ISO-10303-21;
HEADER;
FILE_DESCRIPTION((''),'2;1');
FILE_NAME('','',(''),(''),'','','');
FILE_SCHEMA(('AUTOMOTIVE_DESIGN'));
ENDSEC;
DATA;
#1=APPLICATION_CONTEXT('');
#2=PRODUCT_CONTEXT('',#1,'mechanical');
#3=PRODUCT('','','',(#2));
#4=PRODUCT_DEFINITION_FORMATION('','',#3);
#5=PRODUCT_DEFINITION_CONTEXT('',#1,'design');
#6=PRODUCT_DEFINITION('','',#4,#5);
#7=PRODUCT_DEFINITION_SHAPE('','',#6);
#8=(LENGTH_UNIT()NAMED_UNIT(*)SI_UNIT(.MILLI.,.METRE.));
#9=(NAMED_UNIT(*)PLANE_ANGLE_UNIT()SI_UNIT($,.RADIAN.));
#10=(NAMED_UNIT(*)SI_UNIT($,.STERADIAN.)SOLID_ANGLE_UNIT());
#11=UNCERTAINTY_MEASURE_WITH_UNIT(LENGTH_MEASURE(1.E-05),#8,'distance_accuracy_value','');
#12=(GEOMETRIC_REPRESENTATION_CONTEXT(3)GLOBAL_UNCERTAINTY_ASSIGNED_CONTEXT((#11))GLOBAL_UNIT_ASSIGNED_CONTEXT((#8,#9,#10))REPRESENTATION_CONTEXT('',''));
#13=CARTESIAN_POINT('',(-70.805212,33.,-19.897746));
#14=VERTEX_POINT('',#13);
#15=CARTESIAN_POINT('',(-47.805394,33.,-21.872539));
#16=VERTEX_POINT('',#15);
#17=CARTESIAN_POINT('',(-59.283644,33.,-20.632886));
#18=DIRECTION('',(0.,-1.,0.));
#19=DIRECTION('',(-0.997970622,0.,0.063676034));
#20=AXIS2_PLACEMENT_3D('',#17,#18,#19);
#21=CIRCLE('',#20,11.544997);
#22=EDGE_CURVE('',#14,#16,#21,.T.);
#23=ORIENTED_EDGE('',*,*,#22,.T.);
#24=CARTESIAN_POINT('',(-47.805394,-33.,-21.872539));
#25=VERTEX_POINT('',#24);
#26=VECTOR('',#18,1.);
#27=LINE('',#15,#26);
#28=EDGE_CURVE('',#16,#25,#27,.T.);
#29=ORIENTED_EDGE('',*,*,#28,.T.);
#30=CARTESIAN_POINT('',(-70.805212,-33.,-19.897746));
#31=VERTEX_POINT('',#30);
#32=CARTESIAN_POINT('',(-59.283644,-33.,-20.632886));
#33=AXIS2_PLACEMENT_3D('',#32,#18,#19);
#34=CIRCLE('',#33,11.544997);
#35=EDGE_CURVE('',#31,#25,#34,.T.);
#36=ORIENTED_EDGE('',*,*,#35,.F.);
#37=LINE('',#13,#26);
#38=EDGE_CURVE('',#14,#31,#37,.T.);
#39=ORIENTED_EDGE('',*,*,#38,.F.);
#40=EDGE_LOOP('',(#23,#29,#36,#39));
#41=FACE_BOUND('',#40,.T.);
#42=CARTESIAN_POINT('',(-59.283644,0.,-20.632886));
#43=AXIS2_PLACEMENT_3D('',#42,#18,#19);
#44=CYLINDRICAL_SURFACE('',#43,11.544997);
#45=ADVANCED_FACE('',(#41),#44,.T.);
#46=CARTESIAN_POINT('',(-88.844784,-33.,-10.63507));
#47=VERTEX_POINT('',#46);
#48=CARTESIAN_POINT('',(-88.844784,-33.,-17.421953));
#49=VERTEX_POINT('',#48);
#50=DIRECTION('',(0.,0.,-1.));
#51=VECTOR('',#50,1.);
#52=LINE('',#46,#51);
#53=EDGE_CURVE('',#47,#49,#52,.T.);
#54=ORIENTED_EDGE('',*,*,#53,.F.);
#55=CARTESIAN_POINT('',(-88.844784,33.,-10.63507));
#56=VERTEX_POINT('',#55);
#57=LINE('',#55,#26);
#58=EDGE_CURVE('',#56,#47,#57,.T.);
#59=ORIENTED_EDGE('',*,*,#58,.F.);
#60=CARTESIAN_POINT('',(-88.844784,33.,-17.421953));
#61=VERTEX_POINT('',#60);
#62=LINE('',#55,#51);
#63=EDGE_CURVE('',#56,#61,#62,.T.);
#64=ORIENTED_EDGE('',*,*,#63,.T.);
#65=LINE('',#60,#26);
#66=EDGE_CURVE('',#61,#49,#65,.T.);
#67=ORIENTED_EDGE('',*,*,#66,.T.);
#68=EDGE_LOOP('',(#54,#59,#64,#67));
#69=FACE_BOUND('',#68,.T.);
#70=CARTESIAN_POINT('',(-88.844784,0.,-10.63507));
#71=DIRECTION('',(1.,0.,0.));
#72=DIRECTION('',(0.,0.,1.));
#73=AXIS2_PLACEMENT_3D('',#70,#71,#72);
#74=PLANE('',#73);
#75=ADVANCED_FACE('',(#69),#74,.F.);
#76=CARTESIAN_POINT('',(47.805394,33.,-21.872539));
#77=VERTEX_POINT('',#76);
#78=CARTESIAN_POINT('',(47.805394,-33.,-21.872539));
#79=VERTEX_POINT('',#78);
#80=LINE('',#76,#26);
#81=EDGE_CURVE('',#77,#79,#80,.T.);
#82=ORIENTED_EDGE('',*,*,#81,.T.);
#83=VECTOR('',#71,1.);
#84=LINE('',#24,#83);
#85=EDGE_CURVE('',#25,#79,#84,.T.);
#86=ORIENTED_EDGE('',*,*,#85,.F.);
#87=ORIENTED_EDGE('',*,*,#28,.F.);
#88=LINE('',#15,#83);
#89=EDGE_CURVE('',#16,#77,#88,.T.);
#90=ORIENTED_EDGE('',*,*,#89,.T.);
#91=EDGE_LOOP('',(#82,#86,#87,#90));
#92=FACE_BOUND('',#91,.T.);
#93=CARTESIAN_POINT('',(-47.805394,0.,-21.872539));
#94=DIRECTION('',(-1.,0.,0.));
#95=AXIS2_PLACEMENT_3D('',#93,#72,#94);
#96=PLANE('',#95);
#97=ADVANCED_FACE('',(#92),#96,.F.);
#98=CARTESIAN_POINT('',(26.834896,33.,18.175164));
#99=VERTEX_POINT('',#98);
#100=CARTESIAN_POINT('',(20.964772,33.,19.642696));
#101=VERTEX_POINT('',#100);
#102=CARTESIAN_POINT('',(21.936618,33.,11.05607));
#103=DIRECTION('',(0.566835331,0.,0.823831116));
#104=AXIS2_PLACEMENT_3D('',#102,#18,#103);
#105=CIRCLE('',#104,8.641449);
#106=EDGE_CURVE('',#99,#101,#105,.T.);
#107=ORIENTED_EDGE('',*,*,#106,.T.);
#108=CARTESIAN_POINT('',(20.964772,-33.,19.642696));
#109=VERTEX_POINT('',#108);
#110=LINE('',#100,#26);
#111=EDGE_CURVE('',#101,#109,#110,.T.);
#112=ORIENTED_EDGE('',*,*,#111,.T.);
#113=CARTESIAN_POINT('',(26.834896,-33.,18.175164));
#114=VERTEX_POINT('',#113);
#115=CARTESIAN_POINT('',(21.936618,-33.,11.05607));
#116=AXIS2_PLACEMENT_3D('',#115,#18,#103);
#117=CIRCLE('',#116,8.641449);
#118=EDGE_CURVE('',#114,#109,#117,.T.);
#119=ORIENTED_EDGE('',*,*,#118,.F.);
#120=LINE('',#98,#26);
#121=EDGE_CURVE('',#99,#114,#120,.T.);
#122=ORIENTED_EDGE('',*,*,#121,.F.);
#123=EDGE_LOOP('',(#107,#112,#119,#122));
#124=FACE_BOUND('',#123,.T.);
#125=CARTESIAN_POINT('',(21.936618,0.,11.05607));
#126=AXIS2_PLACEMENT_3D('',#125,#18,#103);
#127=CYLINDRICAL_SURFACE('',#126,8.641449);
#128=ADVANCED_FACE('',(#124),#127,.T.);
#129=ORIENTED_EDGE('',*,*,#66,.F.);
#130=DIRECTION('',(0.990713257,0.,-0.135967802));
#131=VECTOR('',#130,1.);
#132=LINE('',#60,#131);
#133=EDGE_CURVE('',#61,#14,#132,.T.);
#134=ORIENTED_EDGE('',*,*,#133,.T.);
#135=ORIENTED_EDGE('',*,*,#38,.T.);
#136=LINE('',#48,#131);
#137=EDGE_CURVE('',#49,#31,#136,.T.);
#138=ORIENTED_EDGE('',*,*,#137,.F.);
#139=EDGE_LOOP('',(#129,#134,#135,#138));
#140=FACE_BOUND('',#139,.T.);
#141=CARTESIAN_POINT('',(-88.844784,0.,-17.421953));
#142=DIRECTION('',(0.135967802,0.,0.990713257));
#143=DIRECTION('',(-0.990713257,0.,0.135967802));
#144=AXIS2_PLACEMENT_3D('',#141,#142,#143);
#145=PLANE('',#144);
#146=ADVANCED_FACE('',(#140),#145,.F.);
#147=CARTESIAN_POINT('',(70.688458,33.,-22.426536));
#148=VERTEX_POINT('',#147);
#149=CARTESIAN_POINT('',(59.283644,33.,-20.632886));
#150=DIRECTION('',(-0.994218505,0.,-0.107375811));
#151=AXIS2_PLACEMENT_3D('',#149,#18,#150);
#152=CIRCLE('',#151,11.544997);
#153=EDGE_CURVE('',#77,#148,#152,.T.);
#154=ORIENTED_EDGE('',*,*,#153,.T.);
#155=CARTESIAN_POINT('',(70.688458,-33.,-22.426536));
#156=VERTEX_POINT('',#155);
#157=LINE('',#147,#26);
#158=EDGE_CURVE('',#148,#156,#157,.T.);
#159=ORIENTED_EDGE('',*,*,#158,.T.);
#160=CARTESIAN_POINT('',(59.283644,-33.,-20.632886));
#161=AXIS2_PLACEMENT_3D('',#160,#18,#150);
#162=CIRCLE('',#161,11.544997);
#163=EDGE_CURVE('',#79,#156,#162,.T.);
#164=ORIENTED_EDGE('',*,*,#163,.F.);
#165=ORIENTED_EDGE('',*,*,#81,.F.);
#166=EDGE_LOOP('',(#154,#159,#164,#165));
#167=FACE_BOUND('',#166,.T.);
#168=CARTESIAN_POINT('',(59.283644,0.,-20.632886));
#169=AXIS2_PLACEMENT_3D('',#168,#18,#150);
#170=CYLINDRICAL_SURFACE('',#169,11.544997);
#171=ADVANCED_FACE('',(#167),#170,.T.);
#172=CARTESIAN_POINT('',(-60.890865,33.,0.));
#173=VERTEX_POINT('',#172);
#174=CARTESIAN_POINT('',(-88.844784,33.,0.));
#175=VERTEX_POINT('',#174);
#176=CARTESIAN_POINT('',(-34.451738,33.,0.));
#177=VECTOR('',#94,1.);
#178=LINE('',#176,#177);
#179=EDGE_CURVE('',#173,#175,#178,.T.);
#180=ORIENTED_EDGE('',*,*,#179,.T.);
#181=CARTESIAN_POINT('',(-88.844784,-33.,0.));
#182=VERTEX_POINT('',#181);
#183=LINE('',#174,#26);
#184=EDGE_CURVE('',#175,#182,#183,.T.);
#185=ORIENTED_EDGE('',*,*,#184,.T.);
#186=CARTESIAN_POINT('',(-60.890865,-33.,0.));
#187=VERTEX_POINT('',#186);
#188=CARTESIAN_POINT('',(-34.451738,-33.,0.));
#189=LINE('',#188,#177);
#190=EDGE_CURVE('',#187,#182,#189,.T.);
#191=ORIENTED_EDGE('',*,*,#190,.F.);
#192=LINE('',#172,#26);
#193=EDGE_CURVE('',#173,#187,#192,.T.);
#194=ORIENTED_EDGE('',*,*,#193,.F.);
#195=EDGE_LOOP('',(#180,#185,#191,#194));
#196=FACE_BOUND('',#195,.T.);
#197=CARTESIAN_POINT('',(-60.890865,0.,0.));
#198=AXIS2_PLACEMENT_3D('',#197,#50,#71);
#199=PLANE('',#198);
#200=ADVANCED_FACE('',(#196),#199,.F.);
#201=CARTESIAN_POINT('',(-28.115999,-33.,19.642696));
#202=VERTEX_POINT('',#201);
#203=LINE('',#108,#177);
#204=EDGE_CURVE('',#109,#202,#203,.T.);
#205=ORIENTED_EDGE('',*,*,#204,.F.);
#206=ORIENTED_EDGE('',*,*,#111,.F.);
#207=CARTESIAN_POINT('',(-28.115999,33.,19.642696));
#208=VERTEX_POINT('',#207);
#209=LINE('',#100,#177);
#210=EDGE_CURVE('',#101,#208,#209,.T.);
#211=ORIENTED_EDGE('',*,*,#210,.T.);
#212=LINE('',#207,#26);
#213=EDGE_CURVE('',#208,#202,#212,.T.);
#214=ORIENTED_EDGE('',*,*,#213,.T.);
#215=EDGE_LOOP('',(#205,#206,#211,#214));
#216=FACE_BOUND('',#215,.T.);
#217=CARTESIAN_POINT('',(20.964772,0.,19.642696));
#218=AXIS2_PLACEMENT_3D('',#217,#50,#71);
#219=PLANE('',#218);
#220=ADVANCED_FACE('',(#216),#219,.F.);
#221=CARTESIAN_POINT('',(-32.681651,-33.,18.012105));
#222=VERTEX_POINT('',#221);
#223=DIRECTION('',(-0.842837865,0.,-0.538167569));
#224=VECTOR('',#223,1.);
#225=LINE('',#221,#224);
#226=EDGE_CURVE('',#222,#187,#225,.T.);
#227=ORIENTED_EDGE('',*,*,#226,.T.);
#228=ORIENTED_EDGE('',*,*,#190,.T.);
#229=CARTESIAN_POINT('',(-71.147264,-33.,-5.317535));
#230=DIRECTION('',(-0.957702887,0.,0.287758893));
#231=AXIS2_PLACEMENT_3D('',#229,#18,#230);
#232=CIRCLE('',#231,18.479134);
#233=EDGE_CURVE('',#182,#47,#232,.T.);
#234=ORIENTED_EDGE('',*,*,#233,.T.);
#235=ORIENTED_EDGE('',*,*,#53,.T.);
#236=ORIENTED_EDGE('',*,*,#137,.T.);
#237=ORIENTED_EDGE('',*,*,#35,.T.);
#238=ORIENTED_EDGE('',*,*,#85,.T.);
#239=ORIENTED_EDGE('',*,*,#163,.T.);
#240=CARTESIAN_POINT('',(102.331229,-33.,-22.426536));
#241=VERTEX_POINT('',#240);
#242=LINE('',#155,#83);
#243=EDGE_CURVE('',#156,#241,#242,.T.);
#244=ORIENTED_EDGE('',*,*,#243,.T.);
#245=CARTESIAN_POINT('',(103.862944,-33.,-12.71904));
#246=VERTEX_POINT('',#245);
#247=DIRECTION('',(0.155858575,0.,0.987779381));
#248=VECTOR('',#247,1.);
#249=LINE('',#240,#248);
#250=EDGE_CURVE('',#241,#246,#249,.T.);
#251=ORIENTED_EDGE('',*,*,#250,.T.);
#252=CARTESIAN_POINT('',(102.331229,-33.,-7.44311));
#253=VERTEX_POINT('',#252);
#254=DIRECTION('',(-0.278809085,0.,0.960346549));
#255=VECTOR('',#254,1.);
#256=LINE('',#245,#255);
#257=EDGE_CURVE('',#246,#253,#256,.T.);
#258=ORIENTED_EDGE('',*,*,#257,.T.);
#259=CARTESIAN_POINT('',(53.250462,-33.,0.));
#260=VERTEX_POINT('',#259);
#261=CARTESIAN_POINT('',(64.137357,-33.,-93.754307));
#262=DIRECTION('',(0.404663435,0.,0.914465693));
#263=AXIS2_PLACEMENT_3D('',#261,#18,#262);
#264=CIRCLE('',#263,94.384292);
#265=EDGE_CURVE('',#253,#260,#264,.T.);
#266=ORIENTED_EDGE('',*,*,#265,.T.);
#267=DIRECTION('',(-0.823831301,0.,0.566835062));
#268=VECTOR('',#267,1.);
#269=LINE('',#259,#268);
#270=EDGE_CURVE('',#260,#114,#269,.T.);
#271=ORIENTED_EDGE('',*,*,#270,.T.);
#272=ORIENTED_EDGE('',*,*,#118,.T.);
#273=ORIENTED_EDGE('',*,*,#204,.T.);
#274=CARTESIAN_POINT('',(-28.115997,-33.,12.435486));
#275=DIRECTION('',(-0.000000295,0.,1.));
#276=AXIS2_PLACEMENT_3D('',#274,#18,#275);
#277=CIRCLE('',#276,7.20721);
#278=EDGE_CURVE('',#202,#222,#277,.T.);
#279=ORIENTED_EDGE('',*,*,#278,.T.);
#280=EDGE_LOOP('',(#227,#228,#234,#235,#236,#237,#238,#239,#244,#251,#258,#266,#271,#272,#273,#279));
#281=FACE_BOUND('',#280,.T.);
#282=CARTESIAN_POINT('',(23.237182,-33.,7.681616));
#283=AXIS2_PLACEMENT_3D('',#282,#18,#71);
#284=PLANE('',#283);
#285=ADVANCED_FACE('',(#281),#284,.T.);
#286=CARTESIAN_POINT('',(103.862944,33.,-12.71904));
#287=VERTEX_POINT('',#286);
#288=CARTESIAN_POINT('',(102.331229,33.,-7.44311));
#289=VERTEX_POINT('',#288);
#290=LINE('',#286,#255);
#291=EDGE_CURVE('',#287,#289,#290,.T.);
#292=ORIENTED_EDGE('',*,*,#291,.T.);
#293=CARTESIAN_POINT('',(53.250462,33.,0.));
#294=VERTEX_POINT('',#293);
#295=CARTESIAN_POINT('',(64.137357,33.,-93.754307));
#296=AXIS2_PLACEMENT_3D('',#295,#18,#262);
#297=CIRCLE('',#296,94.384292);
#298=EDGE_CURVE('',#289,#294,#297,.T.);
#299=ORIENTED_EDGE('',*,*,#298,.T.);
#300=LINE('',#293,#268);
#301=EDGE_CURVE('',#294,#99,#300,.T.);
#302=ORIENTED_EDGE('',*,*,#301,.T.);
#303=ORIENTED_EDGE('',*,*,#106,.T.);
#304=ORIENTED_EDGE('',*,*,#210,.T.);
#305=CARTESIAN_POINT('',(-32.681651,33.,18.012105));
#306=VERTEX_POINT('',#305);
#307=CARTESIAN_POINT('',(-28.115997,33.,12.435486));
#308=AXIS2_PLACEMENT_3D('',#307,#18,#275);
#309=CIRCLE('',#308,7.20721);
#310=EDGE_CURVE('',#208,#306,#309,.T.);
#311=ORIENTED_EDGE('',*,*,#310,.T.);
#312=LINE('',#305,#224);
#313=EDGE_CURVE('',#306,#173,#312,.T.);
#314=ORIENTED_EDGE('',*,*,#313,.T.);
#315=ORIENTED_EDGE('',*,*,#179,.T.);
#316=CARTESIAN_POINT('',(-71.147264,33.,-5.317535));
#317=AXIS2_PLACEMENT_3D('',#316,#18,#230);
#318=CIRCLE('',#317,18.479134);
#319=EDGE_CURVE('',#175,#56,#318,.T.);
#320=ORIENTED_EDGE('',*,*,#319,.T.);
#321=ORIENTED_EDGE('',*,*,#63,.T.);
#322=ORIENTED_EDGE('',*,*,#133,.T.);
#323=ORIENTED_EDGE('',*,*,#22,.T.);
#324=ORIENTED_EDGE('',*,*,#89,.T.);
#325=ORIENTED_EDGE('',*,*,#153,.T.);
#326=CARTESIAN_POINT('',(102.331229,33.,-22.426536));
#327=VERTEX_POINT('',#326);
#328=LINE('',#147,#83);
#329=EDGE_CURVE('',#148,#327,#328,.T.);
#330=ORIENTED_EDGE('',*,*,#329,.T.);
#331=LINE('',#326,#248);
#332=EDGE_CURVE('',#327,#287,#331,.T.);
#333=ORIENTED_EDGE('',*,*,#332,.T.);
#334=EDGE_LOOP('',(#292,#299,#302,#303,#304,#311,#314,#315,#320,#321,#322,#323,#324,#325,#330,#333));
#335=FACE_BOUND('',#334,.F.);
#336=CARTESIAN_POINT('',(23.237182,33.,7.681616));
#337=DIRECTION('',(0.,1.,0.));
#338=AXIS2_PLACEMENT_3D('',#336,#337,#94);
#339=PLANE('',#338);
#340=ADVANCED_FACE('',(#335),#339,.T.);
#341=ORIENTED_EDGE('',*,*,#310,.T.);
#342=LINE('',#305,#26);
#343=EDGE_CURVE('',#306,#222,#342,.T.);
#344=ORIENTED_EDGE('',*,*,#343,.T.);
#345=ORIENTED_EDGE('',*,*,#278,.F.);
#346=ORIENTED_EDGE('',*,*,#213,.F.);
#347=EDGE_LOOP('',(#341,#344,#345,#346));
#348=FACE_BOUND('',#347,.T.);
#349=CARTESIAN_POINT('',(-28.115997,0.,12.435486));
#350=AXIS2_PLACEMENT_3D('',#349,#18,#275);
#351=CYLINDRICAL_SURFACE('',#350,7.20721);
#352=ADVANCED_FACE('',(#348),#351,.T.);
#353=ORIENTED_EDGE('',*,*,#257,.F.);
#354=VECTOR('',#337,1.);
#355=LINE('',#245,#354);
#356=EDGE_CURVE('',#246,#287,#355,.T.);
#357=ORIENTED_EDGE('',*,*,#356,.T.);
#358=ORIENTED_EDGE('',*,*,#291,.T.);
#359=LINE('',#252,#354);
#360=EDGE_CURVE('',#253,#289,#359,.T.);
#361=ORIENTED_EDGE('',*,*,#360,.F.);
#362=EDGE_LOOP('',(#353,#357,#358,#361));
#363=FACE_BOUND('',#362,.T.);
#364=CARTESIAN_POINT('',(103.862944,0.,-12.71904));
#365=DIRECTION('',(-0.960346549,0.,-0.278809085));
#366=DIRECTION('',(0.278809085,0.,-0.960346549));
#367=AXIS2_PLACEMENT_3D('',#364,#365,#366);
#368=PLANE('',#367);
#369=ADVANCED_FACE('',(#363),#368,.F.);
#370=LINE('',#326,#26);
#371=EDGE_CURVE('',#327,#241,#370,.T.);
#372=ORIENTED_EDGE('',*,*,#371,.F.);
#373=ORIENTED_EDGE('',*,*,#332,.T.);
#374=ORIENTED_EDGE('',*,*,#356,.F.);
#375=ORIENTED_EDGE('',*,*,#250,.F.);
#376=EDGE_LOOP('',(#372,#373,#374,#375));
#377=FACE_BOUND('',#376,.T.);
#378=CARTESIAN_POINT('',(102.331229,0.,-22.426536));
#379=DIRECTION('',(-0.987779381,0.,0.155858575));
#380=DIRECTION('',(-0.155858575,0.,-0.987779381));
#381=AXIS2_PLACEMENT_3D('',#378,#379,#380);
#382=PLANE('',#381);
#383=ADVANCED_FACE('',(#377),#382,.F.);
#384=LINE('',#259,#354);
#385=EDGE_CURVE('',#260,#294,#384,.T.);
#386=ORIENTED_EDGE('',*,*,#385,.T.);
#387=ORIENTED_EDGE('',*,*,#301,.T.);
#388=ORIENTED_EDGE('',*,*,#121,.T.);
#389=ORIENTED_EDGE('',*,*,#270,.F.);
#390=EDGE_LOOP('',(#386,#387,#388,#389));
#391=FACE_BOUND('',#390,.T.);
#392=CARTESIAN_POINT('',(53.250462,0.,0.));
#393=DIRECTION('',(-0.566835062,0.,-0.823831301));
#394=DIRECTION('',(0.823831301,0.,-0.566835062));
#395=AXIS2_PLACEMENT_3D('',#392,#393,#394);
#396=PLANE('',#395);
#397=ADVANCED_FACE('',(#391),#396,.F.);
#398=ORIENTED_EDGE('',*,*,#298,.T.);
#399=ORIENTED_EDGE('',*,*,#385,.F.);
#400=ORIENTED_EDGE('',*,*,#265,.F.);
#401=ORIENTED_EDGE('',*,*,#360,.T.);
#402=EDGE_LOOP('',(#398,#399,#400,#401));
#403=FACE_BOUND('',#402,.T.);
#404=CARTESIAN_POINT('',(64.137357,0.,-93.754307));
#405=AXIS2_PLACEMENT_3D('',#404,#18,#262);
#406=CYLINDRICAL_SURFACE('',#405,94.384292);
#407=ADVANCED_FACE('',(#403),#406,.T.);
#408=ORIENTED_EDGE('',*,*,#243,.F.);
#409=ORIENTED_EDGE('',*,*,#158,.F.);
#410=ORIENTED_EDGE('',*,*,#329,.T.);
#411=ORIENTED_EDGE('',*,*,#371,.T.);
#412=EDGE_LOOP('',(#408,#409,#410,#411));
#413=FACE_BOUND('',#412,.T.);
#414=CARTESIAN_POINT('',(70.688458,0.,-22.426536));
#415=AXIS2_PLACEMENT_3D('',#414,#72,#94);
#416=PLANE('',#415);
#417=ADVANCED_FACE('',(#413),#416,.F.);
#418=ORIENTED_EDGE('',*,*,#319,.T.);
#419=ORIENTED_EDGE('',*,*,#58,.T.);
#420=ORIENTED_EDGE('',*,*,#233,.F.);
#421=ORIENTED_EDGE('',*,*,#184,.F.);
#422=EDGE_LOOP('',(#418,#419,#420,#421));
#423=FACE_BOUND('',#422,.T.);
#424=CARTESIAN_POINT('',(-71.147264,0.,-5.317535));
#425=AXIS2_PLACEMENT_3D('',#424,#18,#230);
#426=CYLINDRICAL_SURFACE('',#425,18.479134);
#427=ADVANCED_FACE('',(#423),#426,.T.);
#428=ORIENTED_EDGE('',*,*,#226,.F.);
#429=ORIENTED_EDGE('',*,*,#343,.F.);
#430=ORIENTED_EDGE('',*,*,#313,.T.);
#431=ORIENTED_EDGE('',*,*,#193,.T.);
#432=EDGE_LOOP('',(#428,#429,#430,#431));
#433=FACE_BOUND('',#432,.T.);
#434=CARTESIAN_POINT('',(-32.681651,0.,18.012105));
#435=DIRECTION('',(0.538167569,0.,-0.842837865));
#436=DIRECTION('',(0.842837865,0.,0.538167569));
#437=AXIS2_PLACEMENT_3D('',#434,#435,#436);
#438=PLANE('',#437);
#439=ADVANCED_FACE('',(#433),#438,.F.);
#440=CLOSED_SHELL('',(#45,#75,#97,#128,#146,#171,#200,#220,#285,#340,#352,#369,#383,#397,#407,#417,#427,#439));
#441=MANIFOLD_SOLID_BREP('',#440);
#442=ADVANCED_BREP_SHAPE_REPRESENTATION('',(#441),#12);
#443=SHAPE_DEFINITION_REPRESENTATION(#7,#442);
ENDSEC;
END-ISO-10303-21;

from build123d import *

# Parameters (mm, degrees)
F1_DEPTH = 33


with BuildPart() as f1:
    # F0 (on Front) → F1 (new body)
    with BuildSketch(Plane.XZ):
        with BuildLine():
            Line((0, 0), (53.250462, 0))
            Line((53.250462, 0), (26.834896, 18.175164))
            ThreePointArc((26.834896, 18.175164), (24.032478, 19.439506), (20.964772, 19.642696))
            Line((20.964772, 19.642696), (0, 19.642696))
            Line((0, 19.642696), (0, 0))
        make_face()
        with BuildLine():
            Line((40.881537, -12.428519), (53.250462, 0))
            Line((53.250462, 0), (0, 0))
            Line((0, 0), (0, -21.872539))
            Line((0, -21.872539), (37.131179, -21.872539))
            ThreePointArc((37.131179, -21.872539), (39.914753, -17.511266), (40.881537, -12.428519))
        make_face()
        with BuildLine():
            ThreePointArc((102.331229, -7.44311), (78.288954, -0.436962), (53.250462, 0))
            Line((53.250462, 0), (40.881537, -12.428519))
            ThreePointArc((40.881537, -12.428519), (39.914753, -17.511266), (37.131179, -21.872539))
            Line((37.131179, -21.872539), (47.805394, -21.872539))
            ThreePointArc((47.805394, -21.872539), (58.662919, -9.104587), (70.828642, -20.632885))
            ThreePointArc((70.828642, -20.632885), (70.793542, -21.532446), (70.688458, -22.426536))
            Line((70.688458, -22.426536), (102.331229, -22.426536))
            Line((102.331229, -22.426536), (103.862944, -12.71904))
            Line((103.862944, -12.71904), (102.331229, -7.44311))
        make_face()
        Polygon((0, -21.872539), (0, 0), (-34.451738, 0), (-30.538321, -21.872539), align=None)
        with BuildLine():
            Line((-34.451738, 0), (0, 0))
            Line((0, 0), (0, 19.642696))
            Line((0, 19.642696), (-28.115999, 19.642696))
            ThreePointArc((-28.115999, 19.642696), (-30.540046, 19.222817), (-32.681651, 18.012105))
            Line((-32.681651, 18.012105), (-60.890865, 0))
            Line((-60.890865, 0), (-34.451738, 0))
        make_face()
        with BuildLine():
            Line((-30.538321, -21.872539), (-34.451738, 0))
            Line((-34.451738, 0), (-60.890865, 0))
            Line((-60.890865, 0), (-88.844784, 0))
            ThreePointArc((-88.844784, 0), (-89.626398, -5.317535), (-88.844784, -10.63507))
            Line((-88.844784, -10.63507), (-88.844784, -17.421953))
            Line((-88.844784, -17.421953), (-70.805212, -19.897746))
            ThreePointArc((-70.805212, -19.897746), (-58.915888, -9.093747), (-47.738646, -20.632885))
            ThreePointArc((-47.738646, -20.632885), (-47.755345, -21.25361), (-47.805394, -21.872539))
            Line((-47.805394, -21.872539), (-30.538321, -21.872539))
        make_face()
        with BuildLine():
            ThreePointArc((70.828642, -20.632885), (58.662919, -9.104587), (47.805394, -21.872539))
            ThreePointArc((47.805394, -21.872539), (59.004222, -32.174501), (70.688458, -22.426536))
            ThreePointArc((70.688458, -22.426536), (70.793542, -21.532446), (70.828642, -20.632885))
        make_face()
        with BuildLine():
            ThreePointArc((-70.805212, -19.897746), (-60.271278, -32.135561), (-47.805394, -21.872539))
            ThreePointArc((-47.805394, -21.872539), (-47.755345, -21.25361), (-47.738646, -20.632885))
            ThreePointArc((-47.738646, -20.632885), (-58.915888, -9.093747), (-70.805212, -19.897746))
        make_face()
    extrude(amount=F1_DEPTH)

    # F2: F1 across plane


with BuildPart() as f1_1:
    add(f1.part)
    add(f1.part.mirror(Plane.XZ))


solid = f1_1.part
